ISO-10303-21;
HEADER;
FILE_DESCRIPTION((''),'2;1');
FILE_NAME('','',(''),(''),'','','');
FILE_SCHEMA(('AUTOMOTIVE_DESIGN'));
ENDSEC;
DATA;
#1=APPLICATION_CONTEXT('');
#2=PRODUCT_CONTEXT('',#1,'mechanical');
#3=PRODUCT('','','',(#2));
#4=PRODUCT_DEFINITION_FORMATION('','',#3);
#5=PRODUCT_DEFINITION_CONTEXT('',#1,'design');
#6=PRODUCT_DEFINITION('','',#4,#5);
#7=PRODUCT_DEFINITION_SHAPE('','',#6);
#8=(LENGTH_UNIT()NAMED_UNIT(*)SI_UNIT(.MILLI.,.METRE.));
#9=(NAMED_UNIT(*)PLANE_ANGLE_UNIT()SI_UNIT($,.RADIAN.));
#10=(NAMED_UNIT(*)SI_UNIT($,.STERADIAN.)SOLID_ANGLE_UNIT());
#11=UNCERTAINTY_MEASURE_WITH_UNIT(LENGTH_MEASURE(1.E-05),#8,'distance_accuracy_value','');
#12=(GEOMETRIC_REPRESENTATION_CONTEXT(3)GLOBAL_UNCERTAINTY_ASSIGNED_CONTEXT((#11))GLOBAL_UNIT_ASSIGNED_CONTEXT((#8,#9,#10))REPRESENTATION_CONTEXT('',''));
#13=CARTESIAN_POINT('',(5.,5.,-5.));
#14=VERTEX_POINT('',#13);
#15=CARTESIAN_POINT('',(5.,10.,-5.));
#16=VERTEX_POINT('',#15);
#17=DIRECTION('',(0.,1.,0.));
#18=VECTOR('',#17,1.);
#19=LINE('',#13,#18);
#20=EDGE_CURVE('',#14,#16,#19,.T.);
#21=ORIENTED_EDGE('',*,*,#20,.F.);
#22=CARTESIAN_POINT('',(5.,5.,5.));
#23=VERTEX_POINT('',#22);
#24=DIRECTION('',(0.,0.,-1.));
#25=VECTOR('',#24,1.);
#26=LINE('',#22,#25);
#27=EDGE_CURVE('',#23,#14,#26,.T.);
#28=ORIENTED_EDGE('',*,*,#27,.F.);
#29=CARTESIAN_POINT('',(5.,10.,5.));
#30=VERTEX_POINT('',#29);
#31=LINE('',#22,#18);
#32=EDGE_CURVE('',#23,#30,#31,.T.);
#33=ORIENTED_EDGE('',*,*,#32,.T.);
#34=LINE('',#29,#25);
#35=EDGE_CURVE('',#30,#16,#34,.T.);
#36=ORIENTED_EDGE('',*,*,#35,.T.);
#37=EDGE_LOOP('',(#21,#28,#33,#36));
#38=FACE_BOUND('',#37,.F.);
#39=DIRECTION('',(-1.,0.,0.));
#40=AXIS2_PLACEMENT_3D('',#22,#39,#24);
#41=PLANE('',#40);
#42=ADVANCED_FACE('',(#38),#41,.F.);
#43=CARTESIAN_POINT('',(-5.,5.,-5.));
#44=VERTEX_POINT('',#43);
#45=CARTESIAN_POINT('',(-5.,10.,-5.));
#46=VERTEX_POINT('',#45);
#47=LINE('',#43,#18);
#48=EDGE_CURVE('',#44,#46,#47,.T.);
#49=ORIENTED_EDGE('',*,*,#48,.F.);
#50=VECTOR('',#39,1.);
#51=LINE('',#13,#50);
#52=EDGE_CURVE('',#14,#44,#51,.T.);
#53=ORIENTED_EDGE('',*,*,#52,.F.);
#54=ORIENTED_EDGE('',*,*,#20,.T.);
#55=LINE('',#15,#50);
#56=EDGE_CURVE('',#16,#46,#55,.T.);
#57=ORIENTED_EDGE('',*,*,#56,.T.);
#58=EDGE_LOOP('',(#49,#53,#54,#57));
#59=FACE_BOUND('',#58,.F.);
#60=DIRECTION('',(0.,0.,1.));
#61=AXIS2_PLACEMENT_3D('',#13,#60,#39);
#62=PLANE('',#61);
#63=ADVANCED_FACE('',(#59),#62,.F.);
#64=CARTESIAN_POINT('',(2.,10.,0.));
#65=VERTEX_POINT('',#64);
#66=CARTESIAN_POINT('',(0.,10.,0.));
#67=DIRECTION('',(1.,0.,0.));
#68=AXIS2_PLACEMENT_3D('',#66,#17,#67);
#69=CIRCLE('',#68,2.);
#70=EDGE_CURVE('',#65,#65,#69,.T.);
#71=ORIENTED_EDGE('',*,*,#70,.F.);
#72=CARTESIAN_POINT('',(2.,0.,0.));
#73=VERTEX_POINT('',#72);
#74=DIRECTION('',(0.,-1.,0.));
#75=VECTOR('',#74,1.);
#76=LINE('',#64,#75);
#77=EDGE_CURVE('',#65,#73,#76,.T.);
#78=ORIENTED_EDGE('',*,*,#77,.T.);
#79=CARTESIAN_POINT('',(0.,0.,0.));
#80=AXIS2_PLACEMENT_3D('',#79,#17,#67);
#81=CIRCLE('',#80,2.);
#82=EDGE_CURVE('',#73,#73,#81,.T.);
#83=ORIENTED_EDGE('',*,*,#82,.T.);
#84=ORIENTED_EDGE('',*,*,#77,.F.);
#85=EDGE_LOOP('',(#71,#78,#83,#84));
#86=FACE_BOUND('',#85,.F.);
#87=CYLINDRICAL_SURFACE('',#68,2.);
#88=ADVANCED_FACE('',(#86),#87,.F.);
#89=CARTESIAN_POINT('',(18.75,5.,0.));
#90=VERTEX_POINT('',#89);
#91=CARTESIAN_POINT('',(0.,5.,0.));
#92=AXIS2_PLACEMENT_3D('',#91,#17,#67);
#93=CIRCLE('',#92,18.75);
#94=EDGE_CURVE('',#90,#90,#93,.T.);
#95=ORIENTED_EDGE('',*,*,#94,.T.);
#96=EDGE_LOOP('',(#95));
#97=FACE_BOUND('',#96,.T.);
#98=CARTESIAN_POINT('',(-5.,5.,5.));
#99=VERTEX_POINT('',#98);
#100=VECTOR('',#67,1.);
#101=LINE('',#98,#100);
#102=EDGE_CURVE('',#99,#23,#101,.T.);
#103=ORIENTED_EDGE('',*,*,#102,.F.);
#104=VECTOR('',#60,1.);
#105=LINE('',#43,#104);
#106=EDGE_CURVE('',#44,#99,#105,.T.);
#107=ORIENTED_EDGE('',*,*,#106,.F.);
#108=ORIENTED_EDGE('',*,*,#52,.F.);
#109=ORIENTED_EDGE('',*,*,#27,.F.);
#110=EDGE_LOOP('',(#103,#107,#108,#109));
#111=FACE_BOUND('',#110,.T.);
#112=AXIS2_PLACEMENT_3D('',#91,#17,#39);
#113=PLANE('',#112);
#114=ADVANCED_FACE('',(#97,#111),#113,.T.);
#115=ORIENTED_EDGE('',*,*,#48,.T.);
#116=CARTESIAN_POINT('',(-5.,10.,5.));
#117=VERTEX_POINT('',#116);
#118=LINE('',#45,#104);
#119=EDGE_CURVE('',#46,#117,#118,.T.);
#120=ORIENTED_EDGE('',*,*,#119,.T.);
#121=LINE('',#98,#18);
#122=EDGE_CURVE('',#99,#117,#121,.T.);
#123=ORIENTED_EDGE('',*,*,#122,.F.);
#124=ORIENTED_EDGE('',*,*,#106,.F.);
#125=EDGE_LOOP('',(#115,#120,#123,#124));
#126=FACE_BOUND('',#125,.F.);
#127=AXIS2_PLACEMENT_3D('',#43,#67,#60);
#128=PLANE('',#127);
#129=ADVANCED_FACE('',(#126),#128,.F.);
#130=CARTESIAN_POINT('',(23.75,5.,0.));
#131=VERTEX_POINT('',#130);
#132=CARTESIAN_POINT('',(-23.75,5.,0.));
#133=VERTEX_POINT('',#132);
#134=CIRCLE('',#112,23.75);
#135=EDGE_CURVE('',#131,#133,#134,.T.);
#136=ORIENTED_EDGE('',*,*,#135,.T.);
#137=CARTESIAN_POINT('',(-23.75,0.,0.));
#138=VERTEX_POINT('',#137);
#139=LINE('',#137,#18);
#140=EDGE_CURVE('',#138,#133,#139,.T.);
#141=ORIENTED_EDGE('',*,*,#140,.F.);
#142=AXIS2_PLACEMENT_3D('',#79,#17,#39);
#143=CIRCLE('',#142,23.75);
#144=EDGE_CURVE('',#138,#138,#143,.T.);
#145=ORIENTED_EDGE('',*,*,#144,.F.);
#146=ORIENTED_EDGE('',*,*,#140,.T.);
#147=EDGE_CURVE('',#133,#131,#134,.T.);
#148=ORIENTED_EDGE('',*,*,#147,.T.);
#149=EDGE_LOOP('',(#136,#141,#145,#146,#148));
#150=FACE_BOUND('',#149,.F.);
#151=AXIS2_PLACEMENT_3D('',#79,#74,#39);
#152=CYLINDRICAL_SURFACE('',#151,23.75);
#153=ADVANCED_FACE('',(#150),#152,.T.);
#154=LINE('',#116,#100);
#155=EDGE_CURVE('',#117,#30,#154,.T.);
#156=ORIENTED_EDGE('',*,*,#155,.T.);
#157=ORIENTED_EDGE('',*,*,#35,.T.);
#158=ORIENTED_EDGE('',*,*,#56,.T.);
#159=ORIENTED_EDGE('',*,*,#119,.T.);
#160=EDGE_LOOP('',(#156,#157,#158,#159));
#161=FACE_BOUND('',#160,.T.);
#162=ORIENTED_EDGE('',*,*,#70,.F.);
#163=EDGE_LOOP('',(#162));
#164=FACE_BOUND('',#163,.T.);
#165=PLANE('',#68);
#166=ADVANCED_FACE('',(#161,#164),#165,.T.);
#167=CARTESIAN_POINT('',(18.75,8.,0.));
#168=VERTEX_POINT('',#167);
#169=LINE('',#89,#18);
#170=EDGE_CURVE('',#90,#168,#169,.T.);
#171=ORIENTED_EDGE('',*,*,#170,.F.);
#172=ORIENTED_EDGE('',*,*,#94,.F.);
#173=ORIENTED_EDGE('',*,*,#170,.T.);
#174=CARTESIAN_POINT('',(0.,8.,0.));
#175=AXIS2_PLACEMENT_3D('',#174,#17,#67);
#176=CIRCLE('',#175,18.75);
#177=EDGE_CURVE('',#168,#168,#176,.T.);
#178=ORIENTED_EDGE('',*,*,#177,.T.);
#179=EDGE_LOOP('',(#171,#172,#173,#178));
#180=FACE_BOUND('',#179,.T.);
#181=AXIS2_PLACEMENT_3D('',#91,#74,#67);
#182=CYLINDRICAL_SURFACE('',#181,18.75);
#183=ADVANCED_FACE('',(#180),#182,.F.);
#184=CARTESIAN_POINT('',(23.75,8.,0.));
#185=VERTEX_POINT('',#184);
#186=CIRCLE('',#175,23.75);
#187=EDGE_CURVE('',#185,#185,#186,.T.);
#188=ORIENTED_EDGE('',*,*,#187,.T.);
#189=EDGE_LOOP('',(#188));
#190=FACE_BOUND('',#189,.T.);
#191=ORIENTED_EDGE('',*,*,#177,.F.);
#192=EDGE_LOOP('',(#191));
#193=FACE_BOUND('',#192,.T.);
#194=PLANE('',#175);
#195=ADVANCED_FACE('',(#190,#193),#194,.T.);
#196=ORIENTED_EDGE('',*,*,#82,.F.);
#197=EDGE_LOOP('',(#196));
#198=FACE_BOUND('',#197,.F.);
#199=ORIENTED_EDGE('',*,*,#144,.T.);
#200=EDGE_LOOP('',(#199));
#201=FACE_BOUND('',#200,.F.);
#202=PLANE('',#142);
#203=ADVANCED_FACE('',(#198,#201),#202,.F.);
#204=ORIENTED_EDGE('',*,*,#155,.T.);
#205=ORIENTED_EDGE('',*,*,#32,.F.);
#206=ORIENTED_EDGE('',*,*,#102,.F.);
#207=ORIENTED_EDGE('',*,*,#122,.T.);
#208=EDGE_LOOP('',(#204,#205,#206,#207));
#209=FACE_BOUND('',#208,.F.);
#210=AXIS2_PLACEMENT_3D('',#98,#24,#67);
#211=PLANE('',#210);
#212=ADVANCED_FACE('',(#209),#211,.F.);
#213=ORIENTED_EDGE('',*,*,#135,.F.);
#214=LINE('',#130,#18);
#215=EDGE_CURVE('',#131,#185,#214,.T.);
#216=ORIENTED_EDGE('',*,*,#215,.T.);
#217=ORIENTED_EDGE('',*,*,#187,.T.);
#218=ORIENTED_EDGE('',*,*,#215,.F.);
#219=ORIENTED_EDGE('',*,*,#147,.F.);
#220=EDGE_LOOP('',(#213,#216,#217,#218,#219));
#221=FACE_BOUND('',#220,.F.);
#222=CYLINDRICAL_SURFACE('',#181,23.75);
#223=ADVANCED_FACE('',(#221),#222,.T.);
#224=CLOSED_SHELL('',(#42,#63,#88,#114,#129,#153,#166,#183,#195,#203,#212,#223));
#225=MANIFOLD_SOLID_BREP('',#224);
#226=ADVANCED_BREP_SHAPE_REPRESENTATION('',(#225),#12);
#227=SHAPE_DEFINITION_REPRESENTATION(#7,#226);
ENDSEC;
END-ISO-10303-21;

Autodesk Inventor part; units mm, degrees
ref_plane "YZ Plane" through (0, 0, 0) normal (1, 0, 0) x (0, 1, 0)
ref_plane "XZ Plane" through (0, 0, 0) normal (0, 1, 0) x (-1, 0, 0)
sketch "Sketch1" plane through (0, 0, 0) normal (0, 1, 0) x (-1, 0, 0)
  circle A0 centre (0, 0) radius 23.75
  dimension "d0" = 47.5
extrude "Extrusion1" add sketch "Sketch1" along normal blind 5
sketch "Sketch2" plane through (0, 5, 0) normal (0, 1, 0) x (1, 0, 0)
  line L0 (-5, -5) -> (5, -5)
  line L1 (5, -5) -> (5, 5)
  line L2 (5, 5) -> (-5, 5)
  line L3 (-5, 5) -> (-5, -5)
  point P0 (0, 0)
  point P1 (-5, 0)
  point P2 (0, -5)
  dimension "d3" = 10
  dimension "d4" = 10
extrude "Extrusion2" add sketch "Sketch2" along normal blind 5
sketch "Sketch3" plane through (0, 10, 0) normal (0, 1, 0) x (1, 0, 0)
  circle A0 centre (0, 0) radius 2
  dimension "d7" = 4
sketch "Sketch4" plane through (0, 5, 0) normal (0, 1, 0) x (1, 0, 0)
  circle A0 centre (0, 0) radius 18.75
  circle A1 centre (0, 0) radius 23.75 projected
  dimension "d8" = 5
extrude "Extrusion3" add sketch "Sketch4" along normal blind 3
extrude "Extrusion4" cut sketch "Sketch3" against normal up to next
ref_plane "Work Plane1" through (0, 4, 0) normal (0, 1, 0) x (1, 0, 0)
equation "\"d4\" = d3"
properties part number "wheel"
